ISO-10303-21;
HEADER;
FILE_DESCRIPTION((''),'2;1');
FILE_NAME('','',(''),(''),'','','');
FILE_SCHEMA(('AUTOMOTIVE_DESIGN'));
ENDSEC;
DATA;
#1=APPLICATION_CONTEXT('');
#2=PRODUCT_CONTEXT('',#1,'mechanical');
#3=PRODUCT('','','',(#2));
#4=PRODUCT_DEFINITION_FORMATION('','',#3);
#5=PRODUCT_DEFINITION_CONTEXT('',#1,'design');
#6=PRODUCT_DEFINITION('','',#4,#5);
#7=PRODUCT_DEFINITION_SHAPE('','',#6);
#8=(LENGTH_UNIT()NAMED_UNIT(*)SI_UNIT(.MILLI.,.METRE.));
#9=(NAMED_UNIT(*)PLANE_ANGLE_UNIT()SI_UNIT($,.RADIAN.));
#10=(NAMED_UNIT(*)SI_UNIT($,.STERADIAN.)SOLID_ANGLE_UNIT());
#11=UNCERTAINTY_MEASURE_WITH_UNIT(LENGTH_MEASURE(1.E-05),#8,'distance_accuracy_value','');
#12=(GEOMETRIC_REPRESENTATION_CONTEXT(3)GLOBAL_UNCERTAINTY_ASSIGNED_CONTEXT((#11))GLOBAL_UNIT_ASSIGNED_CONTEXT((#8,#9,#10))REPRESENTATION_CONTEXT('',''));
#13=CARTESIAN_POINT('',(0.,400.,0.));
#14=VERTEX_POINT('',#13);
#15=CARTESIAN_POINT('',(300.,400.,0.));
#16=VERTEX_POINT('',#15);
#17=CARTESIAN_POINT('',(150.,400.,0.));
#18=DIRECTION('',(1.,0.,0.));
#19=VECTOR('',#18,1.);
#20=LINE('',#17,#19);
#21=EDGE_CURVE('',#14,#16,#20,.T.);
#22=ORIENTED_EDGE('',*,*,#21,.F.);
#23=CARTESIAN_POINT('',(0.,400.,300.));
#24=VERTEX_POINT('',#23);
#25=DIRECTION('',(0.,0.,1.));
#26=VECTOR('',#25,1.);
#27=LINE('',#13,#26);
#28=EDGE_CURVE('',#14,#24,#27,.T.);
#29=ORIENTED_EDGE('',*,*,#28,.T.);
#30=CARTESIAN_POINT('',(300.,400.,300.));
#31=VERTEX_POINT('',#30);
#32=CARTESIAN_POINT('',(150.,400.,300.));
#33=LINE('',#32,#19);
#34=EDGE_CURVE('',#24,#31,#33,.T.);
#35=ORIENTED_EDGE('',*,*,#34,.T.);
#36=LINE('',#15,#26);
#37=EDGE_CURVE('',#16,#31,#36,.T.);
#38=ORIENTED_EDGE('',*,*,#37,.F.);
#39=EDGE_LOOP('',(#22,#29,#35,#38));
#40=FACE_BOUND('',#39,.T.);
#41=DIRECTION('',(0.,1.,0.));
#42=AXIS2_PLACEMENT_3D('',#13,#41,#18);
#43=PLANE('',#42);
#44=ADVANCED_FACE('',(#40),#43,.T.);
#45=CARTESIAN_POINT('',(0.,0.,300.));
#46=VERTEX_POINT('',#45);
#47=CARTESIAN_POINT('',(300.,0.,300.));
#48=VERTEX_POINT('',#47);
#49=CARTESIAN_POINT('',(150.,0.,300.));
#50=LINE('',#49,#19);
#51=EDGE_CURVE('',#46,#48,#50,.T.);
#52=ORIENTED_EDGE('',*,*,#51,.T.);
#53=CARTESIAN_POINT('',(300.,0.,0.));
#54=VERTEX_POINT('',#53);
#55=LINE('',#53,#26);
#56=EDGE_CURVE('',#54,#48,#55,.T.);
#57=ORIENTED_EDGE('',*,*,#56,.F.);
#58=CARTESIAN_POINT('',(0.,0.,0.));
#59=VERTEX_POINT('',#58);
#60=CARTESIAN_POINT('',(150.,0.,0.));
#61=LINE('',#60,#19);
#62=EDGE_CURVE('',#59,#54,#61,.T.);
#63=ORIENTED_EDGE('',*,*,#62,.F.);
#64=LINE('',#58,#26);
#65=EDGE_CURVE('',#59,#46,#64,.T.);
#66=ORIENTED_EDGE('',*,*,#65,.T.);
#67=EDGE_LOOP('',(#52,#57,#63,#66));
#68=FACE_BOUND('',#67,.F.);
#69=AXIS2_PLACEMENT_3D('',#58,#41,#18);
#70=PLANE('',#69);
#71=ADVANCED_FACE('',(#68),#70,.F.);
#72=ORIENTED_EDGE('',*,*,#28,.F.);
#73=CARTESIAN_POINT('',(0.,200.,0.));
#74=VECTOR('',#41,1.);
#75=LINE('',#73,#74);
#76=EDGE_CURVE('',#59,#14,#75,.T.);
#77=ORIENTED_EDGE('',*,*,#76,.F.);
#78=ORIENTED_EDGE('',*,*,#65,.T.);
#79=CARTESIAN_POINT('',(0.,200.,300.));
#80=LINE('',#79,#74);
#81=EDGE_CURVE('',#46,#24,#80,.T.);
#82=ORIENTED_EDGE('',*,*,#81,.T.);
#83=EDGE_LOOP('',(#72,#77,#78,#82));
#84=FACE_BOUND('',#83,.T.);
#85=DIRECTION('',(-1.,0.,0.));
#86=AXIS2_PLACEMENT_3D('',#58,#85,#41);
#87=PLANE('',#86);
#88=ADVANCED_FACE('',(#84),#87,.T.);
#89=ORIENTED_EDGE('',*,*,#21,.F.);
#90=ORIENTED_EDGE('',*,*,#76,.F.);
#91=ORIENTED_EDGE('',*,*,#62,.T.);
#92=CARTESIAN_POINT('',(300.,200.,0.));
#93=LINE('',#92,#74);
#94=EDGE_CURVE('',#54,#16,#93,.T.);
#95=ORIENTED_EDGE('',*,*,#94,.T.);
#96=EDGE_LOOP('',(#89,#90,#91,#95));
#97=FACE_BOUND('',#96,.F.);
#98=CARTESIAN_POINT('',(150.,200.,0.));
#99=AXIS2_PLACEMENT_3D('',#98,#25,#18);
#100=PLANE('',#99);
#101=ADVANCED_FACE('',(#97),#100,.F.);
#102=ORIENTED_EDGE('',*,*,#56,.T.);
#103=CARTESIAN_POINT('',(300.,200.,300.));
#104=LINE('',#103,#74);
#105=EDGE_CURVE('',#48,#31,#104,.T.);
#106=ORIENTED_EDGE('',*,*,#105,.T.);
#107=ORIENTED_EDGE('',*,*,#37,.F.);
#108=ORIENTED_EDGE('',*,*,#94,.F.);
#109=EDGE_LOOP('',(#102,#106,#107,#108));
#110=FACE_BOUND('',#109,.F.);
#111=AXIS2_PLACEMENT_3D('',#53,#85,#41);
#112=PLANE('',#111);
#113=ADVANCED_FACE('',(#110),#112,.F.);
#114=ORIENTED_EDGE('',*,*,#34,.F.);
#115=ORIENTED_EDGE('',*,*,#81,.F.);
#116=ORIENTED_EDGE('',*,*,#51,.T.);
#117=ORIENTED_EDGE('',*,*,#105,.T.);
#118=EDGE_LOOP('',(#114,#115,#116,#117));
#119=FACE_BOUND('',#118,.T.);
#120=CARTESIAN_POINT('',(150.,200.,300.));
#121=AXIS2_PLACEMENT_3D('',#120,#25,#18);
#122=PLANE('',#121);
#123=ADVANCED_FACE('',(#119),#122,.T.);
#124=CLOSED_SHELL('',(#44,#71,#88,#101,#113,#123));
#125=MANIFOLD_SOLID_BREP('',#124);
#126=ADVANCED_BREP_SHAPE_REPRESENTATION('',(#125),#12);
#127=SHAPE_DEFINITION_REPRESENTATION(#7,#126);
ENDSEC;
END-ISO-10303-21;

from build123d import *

# Parameters (mm, degrees)
BOX_W     = 300
BOX_H     = 400
BOX_DEPTH = 300


with BuildPart() as part:
    # Box → Box (new body)
    with BuildSketch(Plane.XY):
        with Locations((150, 200)):
            Rectangle(BOX_W, BOX_H)
    extrude(amount=BOX_DEPTH)


solid = part.part
